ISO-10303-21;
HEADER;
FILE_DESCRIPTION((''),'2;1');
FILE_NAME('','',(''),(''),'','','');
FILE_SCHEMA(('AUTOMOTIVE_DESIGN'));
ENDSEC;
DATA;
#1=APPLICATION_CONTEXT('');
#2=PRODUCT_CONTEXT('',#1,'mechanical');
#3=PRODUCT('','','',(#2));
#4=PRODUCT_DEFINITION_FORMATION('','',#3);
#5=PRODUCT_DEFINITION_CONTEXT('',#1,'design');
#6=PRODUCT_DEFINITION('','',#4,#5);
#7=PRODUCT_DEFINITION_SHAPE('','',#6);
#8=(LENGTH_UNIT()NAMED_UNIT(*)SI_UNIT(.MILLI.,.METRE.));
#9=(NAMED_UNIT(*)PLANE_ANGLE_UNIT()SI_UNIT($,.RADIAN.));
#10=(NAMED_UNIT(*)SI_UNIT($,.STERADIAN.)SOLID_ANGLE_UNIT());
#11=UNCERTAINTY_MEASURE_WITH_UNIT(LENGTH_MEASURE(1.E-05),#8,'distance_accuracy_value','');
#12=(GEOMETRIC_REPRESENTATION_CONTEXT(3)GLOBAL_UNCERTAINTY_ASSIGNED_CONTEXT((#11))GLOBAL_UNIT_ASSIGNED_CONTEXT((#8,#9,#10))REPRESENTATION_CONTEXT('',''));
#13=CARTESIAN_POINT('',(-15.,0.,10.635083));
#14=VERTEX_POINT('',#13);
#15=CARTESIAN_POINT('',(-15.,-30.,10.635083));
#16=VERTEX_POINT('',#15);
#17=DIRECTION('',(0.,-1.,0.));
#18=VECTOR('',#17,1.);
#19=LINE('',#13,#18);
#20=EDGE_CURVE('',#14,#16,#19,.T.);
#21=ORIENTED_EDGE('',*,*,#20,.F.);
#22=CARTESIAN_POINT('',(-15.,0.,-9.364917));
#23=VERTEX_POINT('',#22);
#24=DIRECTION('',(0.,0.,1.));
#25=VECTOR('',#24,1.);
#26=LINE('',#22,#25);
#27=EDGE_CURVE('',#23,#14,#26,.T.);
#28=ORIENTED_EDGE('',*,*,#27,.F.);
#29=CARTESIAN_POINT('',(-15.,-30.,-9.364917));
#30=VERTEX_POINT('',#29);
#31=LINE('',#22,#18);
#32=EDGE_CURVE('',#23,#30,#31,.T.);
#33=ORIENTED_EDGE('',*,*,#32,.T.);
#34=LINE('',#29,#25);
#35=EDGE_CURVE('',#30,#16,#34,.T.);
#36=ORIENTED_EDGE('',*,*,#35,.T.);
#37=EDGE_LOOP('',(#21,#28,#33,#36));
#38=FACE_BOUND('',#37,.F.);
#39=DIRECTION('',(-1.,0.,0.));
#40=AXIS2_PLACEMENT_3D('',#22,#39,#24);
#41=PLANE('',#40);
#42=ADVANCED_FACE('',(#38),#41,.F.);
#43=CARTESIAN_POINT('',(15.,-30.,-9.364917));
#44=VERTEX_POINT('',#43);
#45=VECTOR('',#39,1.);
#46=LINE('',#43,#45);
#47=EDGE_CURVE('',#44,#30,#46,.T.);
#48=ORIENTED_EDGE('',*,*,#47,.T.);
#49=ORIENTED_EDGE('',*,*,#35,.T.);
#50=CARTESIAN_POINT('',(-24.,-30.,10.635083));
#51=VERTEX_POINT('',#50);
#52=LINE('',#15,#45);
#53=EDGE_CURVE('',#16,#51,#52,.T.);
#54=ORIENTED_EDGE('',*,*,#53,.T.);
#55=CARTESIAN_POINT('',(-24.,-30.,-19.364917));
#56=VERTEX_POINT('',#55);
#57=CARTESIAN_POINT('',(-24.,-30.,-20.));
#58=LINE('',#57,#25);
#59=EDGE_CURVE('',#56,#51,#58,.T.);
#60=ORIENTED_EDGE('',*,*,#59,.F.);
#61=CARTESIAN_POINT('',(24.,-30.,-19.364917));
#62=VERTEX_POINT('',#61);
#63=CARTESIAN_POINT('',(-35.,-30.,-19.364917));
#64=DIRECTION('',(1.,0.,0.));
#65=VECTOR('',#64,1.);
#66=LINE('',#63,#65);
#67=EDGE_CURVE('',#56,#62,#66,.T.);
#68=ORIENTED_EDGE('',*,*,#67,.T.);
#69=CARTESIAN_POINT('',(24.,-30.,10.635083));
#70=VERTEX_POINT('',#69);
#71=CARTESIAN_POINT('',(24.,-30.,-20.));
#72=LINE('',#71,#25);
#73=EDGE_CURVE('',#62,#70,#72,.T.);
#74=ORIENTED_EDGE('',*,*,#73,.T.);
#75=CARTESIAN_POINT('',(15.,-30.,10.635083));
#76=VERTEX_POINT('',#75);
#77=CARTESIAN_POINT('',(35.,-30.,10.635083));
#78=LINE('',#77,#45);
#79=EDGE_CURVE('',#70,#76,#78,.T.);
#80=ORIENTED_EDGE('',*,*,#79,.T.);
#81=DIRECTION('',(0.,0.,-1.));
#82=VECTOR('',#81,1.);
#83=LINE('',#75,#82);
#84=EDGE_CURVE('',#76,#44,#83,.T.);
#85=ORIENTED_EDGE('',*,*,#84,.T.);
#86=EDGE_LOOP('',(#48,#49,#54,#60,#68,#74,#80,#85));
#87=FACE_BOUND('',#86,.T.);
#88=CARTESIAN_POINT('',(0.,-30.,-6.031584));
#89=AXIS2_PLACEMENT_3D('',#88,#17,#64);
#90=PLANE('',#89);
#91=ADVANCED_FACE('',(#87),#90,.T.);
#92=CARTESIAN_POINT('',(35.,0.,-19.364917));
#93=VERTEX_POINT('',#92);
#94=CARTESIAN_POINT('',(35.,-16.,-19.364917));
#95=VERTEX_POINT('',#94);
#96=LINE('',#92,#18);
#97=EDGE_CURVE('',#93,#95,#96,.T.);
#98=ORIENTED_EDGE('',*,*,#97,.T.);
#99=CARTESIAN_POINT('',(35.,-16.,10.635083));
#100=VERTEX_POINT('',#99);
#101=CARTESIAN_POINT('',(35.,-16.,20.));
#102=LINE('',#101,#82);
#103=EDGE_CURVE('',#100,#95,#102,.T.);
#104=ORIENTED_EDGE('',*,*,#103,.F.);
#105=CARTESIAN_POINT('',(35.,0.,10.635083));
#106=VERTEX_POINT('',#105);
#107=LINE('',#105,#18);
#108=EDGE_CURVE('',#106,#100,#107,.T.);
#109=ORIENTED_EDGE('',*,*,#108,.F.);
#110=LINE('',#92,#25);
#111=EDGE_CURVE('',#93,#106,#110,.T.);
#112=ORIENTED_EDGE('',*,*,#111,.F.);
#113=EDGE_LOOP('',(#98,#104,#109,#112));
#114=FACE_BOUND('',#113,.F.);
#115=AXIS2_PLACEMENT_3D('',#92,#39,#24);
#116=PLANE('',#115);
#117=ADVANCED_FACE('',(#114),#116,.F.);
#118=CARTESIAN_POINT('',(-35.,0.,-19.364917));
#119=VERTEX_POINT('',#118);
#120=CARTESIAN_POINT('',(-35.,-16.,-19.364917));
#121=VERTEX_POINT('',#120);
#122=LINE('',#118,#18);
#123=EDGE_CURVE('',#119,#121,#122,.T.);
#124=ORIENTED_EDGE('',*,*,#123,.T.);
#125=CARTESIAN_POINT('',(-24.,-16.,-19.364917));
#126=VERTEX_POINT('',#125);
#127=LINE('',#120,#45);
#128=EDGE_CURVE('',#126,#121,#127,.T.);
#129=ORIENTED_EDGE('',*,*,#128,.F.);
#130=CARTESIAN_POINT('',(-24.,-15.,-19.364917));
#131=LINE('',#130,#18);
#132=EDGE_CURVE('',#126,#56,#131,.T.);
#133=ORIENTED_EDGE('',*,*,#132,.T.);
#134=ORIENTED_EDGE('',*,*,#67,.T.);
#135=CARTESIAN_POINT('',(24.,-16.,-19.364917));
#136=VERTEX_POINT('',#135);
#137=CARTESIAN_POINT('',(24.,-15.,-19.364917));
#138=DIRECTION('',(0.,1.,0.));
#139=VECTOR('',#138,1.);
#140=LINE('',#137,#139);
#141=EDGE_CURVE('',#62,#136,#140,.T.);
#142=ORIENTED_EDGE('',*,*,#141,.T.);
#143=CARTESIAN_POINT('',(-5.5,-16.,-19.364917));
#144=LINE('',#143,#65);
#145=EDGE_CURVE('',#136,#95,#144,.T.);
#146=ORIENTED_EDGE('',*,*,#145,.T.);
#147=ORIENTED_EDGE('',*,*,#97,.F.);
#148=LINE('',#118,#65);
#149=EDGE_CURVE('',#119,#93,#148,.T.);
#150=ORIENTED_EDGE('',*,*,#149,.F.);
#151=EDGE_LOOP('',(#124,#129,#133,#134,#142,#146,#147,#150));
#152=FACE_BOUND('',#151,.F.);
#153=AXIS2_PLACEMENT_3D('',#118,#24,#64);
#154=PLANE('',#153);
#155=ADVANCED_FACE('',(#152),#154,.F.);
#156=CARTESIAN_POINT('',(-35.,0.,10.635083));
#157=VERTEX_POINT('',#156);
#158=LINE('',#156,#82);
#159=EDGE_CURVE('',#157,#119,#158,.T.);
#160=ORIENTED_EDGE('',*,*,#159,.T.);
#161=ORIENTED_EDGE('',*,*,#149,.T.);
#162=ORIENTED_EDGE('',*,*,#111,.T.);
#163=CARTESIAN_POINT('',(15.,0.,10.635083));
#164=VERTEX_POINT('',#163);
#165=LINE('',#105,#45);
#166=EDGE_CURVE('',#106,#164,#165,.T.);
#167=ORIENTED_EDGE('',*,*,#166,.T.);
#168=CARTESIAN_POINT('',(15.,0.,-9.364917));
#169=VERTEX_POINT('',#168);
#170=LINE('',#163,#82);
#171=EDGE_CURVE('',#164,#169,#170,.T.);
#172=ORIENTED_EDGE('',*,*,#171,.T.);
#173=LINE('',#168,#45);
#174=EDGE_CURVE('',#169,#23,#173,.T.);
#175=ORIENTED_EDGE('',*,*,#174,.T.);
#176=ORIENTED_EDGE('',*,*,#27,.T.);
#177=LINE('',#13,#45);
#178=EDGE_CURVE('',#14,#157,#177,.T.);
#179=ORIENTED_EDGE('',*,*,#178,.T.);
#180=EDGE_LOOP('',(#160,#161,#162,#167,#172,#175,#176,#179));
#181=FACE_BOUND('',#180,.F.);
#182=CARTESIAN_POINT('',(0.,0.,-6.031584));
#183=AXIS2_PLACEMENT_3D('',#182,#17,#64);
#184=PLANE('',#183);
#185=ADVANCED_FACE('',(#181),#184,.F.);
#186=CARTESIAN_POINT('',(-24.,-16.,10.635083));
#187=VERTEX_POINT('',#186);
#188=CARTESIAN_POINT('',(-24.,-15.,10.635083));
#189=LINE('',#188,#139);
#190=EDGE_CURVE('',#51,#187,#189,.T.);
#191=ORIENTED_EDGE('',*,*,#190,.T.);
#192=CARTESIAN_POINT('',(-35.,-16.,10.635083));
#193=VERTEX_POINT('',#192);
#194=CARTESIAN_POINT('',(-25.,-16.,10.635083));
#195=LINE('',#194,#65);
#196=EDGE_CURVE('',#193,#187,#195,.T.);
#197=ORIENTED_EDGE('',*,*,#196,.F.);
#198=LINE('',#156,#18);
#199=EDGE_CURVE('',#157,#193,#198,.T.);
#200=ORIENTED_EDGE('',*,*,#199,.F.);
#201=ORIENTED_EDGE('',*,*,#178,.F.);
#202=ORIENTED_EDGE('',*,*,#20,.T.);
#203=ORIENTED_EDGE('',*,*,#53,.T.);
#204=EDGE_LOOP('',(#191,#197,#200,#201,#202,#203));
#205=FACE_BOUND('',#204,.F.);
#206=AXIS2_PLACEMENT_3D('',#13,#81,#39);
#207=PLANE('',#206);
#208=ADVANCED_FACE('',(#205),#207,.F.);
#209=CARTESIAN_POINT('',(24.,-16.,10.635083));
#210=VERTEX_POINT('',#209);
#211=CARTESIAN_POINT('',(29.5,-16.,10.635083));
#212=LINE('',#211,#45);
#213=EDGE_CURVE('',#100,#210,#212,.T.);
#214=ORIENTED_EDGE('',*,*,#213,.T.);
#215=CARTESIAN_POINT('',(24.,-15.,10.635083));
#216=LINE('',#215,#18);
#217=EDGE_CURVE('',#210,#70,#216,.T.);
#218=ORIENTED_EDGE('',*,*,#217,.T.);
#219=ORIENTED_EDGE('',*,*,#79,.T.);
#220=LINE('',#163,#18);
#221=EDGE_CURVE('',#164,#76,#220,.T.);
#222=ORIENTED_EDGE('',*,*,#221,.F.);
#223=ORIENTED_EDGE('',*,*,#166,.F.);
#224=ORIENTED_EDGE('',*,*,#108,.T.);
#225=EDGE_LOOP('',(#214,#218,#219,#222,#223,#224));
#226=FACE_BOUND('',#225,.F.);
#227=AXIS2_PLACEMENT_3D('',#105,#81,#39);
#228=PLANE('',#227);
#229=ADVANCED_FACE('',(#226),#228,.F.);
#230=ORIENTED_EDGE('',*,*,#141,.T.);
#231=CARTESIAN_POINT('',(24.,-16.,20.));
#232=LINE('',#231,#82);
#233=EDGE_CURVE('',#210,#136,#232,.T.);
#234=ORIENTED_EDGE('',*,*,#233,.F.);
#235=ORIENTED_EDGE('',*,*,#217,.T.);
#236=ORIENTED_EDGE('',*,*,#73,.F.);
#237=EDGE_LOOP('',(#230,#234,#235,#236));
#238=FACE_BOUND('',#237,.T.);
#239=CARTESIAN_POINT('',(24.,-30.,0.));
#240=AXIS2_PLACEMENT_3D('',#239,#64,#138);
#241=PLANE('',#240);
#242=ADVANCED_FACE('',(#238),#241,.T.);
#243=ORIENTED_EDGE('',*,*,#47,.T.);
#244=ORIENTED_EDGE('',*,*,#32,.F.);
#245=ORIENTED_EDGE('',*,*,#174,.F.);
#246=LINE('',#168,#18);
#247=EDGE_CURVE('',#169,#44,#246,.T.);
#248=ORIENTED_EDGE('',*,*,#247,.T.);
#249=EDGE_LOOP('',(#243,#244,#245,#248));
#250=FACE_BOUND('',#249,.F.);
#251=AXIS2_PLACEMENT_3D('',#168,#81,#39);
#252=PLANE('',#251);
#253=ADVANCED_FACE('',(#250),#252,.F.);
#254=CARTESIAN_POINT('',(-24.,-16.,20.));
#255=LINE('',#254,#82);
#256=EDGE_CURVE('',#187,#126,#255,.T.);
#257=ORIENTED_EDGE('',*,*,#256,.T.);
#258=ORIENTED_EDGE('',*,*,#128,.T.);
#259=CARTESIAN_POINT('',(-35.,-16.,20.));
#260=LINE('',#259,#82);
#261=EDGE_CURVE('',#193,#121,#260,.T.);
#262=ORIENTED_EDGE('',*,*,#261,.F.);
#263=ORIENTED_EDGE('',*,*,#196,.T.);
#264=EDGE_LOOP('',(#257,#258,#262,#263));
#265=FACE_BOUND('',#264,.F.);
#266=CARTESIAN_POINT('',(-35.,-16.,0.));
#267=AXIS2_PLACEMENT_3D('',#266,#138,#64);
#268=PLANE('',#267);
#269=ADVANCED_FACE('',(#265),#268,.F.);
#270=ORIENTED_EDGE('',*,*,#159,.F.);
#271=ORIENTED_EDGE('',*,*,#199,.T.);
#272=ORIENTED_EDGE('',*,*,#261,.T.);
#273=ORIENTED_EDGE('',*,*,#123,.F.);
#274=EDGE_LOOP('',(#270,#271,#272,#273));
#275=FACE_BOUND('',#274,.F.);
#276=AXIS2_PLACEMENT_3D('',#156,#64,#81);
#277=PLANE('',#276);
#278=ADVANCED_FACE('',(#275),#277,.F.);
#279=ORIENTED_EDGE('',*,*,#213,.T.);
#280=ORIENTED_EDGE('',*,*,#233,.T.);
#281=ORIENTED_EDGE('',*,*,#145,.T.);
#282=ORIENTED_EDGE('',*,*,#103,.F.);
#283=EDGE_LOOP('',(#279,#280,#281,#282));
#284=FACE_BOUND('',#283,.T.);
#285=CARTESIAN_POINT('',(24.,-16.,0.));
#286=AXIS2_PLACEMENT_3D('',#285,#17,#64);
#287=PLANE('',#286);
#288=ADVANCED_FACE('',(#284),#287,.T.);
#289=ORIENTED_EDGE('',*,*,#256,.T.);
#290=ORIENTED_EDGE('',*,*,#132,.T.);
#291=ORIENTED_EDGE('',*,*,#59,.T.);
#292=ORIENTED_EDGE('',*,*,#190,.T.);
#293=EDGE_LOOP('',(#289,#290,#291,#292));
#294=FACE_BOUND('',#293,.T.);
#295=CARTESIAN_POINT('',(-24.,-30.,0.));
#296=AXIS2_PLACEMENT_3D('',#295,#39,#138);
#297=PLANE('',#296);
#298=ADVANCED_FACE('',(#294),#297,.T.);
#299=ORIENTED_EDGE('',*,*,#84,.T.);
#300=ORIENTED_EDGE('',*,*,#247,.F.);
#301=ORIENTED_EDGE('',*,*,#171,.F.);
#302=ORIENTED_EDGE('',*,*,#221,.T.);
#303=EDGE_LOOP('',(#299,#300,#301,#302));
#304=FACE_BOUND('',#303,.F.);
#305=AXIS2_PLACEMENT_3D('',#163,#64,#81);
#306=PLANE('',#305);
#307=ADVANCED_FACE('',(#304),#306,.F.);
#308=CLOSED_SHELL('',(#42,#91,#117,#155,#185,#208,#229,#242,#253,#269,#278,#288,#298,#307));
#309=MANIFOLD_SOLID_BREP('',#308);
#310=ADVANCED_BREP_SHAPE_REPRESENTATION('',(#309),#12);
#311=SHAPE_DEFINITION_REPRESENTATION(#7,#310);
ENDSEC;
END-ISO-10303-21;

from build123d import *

# Parameters (mm, degrees)
F1_DEPTH = 30
F2_W     = 11
F2_H     = 14
F3_DEPTH = 20


with BuildPart() as f1:
    # F0 (on Front) → F1 (new body)
    with BuildSketch(Plane.XZ):
        Polygon((-15, 10.635083), (-35, 10.635083), (-35, -19.364917), (35, -19.364917), (35, 10.635083), (15, 10.635083), (15, -9.364917), (-15, -9.364917), align=None)
    extrude(amount=F1_DEPTH)

    # F2 (on Top) → F3 (cut, symmetric)
    with BuildSketch(Plane.XY):
        with Locations((-29.5, -23)):
            Rectangle(F2_W, F2_H)
        with Locations((29.5, -23)):
            Rectangle(F2_W, F2_H)
    extrude(amount=F3_DEPTH, both=True, mode=Mode.SUBTRACT)


solid = f1.part
